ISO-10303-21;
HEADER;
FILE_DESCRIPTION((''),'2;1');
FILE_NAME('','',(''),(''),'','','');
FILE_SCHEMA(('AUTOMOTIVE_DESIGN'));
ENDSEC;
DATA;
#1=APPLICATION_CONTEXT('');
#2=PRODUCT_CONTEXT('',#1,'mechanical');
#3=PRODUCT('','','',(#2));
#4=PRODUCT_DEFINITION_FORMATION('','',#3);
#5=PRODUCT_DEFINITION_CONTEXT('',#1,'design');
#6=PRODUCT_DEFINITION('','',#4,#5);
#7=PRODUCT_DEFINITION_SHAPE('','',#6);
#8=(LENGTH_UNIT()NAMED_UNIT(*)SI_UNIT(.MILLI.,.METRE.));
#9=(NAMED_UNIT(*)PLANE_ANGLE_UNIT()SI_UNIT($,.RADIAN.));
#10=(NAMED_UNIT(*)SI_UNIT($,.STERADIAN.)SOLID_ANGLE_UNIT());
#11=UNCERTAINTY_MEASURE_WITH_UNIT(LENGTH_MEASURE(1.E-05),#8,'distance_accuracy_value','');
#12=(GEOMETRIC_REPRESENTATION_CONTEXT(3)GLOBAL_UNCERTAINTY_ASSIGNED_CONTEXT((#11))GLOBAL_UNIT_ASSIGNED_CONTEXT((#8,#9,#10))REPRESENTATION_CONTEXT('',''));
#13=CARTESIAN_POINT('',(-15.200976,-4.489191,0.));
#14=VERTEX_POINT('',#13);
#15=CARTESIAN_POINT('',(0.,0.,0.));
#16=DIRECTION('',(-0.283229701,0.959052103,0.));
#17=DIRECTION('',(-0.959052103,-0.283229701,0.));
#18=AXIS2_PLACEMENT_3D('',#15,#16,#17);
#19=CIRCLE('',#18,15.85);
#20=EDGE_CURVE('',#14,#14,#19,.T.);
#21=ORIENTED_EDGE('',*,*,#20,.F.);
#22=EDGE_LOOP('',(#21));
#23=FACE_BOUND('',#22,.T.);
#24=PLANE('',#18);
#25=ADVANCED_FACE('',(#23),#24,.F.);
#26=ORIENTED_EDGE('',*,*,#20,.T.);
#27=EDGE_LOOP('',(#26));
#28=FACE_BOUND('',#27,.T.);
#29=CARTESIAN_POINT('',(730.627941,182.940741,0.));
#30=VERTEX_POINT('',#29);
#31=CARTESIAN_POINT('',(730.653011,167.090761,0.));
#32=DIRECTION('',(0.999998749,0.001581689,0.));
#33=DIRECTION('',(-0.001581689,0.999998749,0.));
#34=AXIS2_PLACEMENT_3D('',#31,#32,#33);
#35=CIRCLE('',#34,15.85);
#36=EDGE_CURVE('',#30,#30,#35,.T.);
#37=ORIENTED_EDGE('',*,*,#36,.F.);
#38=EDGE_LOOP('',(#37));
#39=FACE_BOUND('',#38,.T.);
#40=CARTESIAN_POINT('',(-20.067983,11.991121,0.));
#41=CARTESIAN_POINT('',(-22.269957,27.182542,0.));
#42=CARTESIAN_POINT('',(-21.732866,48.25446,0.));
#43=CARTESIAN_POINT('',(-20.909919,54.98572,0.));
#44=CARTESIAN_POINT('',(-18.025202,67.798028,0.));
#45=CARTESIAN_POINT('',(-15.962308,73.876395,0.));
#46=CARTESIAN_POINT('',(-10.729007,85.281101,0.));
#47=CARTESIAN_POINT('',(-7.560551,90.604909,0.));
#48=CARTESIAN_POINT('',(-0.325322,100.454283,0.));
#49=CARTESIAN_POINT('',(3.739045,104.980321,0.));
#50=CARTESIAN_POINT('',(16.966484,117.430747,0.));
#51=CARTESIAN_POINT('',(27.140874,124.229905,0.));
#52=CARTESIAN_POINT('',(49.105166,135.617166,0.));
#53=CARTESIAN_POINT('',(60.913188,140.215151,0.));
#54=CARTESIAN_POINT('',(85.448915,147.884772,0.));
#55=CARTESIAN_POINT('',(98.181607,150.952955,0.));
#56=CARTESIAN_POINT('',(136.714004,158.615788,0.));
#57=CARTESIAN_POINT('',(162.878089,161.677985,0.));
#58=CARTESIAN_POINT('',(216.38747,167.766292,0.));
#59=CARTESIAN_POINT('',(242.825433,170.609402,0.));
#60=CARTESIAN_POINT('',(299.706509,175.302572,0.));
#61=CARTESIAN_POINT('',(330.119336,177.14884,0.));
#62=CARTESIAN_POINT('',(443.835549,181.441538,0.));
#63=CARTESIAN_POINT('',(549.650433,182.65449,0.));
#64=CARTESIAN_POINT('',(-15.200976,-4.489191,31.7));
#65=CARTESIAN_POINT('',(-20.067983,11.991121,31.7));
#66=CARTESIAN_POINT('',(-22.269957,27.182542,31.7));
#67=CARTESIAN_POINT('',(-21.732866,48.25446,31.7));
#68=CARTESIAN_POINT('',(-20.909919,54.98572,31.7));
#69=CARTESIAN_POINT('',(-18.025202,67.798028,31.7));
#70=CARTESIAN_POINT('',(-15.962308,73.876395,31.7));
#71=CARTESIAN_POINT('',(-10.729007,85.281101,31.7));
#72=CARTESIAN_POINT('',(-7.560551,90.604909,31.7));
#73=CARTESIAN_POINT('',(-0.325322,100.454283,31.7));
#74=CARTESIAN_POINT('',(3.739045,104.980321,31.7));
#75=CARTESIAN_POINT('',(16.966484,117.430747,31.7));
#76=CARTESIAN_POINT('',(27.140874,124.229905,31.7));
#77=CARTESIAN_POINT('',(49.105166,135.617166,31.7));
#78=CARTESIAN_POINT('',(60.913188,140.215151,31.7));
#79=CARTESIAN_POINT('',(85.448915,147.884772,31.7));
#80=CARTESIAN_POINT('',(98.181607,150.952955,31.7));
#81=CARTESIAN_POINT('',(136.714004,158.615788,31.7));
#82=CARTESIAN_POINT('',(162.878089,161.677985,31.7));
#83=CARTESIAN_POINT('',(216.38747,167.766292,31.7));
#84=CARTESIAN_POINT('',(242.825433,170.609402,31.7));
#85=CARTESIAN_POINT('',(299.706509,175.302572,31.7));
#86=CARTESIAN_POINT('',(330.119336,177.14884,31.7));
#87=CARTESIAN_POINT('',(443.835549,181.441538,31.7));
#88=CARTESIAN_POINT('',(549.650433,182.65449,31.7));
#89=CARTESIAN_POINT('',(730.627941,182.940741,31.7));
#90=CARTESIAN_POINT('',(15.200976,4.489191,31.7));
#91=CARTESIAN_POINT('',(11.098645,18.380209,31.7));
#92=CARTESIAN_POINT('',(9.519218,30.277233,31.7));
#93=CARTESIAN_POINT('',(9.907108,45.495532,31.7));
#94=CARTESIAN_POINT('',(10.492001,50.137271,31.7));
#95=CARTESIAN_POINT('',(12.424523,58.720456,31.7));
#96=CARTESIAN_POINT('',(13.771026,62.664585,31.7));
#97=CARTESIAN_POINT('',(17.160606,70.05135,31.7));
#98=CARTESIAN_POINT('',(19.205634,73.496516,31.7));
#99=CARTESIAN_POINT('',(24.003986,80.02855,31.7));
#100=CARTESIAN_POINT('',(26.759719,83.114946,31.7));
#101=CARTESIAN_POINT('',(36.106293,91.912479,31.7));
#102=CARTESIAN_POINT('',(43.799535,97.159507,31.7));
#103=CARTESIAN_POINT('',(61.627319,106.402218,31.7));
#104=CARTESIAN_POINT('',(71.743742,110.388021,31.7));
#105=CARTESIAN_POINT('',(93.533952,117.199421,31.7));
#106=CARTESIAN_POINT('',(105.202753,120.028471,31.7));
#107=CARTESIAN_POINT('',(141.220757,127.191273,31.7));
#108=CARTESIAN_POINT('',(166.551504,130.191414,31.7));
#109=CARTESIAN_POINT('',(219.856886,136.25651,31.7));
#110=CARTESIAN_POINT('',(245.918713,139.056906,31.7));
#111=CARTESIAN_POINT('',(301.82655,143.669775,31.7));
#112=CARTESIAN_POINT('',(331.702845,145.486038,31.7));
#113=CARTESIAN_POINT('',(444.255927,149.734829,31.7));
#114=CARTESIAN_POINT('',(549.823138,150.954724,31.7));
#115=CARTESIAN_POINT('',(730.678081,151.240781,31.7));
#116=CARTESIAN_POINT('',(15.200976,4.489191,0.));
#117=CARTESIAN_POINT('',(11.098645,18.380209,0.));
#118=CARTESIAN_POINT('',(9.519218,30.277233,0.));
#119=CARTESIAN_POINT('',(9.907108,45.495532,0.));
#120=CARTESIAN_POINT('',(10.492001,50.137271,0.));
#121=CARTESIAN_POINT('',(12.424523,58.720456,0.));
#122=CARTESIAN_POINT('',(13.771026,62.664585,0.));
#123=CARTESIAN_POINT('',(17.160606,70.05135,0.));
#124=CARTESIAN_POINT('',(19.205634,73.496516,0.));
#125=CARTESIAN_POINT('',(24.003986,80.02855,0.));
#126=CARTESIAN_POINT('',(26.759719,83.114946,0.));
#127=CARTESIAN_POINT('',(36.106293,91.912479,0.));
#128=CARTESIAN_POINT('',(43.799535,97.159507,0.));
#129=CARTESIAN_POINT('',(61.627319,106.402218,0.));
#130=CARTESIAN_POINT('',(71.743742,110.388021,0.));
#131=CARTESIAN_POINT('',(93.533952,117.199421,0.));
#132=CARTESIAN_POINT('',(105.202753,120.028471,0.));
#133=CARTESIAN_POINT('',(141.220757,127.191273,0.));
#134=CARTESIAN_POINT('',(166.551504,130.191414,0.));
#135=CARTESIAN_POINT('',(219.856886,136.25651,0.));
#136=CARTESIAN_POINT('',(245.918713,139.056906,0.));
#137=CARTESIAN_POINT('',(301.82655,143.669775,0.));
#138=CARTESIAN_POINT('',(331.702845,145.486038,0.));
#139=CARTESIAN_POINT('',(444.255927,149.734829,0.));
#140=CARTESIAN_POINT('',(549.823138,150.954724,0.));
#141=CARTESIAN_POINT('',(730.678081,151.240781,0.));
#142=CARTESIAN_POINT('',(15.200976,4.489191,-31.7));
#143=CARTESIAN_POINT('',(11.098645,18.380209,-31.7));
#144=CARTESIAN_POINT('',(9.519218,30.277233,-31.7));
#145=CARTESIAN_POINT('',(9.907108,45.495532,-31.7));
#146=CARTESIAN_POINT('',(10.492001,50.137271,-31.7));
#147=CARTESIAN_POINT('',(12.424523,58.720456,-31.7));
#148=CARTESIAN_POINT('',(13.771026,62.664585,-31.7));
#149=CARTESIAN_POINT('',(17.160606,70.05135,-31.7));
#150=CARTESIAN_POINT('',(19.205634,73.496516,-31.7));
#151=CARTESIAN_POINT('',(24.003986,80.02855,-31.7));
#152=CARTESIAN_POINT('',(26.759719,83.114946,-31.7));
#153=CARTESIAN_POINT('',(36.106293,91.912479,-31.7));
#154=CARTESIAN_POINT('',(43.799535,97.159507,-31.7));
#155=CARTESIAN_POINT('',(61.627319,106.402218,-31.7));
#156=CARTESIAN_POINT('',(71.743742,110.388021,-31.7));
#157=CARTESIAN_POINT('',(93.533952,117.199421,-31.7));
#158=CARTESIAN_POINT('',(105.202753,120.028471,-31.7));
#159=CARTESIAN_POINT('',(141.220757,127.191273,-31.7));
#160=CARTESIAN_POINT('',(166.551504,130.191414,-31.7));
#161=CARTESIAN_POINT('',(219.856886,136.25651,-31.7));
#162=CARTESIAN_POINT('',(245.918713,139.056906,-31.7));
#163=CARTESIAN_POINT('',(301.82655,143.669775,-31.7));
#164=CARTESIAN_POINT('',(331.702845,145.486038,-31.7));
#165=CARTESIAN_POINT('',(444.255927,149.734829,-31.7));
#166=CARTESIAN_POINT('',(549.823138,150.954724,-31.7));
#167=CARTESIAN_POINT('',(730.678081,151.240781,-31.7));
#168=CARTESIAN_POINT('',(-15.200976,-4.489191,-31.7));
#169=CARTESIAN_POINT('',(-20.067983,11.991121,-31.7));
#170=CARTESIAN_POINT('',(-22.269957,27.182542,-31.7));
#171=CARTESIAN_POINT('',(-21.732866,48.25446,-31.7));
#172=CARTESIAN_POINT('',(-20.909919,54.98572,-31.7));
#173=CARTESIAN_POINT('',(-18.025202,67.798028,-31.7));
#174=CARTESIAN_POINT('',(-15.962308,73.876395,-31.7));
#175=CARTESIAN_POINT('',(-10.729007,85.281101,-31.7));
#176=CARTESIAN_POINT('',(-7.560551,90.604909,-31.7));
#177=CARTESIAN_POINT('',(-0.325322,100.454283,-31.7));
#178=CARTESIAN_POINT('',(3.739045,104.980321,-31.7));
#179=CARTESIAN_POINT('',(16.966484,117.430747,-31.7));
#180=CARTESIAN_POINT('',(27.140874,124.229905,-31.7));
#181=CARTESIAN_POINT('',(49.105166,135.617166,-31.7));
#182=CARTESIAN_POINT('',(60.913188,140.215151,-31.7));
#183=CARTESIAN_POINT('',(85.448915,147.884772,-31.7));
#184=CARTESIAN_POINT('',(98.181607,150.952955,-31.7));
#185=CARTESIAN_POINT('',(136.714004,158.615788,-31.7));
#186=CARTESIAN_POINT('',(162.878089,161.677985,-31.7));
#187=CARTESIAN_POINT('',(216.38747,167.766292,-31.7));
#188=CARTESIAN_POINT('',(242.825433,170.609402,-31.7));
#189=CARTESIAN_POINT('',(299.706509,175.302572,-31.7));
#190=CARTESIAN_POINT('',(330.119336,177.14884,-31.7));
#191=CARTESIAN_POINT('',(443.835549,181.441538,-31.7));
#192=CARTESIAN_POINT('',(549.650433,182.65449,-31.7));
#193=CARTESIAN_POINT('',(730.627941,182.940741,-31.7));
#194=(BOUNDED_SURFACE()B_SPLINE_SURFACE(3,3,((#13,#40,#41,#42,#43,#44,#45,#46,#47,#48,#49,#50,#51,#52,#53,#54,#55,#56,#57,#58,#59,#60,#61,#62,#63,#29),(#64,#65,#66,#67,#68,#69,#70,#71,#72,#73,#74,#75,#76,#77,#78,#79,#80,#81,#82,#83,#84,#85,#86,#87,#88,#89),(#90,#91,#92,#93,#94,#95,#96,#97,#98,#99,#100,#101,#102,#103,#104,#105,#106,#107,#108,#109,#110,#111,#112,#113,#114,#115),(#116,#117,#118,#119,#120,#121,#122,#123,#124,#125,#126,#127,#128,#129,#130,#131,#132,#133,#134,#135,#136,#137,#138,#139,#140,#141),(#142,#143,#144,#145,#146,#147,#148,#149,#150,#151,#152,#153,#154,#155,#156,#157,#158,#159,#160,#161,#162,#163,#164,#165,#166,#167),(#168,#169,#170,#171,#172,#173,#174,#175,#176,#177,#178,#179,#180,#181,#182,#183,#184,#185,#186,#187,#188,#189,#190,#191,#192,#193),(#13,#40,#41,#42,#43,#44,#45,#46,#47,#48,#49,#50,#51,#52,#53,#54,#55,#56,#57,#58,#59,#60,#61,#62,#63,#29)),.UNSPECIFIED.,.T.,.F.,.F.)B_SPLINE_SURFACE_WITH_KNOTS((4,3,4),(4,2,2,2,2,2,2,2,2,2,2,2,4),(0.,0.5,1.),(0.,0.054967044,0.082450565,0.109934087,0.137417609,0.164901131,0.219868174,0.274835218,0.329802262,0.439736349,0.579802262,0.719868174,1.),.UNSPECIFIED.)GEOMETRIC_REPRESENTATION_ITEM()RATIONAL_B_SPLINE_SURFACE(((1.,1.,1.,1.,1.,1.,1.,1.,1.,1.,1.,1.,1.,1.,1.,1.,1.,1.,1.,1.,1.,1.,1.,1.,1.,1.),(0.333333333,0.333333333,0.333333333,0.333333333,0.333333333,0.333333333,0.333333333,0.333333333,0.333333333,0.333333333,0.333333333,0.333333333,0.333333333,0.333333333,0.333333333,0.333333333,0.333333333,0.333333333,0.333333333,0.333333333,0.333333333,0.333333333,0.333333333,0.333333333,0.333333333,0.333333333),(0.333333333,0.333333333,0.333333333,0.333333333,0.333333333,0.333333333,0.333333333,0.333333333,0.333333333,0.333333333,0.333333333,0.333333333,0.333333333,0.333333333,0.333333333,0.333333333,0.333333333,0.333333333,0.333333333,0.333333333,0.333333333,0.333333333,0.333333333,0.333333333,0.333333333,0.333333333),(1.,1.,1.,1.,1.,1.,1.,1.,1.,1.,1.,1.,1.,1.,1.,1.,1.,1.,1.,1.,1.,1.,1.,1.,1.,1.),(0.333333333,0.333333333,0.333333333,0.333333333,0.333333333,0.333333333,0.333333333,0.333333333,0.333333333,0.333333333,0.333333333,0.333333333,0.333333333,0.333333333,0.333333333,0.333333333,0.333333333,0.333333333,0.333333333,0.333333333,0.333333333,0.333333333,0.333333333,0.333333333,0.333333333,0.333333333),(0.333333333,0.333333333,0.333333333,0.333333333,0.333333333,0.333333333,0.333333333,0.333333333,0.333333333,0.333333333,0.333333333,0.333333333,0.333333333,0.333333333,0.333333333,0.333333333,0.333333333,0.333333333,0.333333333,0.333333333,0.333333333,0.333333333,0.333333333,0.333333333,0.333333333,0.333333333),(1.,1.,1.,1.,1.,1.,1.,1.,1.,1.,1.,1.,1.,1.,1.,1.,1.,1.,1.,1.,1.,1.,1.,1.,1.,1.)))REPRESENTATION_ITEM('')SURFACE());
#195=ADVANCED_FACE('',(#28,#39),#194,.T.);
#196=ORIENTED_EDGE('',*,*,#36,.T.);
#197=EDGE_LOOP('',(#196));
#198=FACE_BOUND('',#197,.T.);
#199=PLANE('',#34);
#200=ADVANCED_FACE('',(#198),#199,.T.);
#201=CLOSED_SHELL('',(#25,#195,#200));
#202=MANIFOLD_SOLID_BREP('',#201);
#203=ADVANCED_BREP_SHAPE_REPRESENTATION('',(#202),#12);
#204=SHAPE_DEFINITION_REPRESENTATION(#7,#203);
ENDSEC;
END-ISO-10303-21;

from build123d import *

# Parameters (mm, degrees)
SWEEP1_PROFILE_R = 15.85


with BuildPart() as part:
    # Sweep1: sweep along a path in Sketch2
    with BuildLine() as sweep1_path:  # in the path sketch's own coordinates; laid on its plane below (add() does not lay a ready-made edge on the line's plane)
        add(Edge.make_bspline(
            [(0, 0), (-35.877353721, 121.485322634), (260.065088602, 158.855298369), (368.820559408, 166.518453711), (730.653011233, 167.090760748)],
            knots=[0, 0, 0, 0, 0.439736349, 1, 1, 1, 1], degree=3))
    # Sweep1 profile (on start of the path) → Sweep1 (sweep)
    with BuildSketch(Plane(origin=(0, 0, 0), x_dir=(0.9590521032523852, 0.28322970050327745, 0), z_dir=(-0.28322970050327745, 0.9590521032523852, 0))):
        Circle(SWEEP1_PROFILE_R)
    sweep(path=Plane.XY * sweep1_path.line)


solid = part.part
